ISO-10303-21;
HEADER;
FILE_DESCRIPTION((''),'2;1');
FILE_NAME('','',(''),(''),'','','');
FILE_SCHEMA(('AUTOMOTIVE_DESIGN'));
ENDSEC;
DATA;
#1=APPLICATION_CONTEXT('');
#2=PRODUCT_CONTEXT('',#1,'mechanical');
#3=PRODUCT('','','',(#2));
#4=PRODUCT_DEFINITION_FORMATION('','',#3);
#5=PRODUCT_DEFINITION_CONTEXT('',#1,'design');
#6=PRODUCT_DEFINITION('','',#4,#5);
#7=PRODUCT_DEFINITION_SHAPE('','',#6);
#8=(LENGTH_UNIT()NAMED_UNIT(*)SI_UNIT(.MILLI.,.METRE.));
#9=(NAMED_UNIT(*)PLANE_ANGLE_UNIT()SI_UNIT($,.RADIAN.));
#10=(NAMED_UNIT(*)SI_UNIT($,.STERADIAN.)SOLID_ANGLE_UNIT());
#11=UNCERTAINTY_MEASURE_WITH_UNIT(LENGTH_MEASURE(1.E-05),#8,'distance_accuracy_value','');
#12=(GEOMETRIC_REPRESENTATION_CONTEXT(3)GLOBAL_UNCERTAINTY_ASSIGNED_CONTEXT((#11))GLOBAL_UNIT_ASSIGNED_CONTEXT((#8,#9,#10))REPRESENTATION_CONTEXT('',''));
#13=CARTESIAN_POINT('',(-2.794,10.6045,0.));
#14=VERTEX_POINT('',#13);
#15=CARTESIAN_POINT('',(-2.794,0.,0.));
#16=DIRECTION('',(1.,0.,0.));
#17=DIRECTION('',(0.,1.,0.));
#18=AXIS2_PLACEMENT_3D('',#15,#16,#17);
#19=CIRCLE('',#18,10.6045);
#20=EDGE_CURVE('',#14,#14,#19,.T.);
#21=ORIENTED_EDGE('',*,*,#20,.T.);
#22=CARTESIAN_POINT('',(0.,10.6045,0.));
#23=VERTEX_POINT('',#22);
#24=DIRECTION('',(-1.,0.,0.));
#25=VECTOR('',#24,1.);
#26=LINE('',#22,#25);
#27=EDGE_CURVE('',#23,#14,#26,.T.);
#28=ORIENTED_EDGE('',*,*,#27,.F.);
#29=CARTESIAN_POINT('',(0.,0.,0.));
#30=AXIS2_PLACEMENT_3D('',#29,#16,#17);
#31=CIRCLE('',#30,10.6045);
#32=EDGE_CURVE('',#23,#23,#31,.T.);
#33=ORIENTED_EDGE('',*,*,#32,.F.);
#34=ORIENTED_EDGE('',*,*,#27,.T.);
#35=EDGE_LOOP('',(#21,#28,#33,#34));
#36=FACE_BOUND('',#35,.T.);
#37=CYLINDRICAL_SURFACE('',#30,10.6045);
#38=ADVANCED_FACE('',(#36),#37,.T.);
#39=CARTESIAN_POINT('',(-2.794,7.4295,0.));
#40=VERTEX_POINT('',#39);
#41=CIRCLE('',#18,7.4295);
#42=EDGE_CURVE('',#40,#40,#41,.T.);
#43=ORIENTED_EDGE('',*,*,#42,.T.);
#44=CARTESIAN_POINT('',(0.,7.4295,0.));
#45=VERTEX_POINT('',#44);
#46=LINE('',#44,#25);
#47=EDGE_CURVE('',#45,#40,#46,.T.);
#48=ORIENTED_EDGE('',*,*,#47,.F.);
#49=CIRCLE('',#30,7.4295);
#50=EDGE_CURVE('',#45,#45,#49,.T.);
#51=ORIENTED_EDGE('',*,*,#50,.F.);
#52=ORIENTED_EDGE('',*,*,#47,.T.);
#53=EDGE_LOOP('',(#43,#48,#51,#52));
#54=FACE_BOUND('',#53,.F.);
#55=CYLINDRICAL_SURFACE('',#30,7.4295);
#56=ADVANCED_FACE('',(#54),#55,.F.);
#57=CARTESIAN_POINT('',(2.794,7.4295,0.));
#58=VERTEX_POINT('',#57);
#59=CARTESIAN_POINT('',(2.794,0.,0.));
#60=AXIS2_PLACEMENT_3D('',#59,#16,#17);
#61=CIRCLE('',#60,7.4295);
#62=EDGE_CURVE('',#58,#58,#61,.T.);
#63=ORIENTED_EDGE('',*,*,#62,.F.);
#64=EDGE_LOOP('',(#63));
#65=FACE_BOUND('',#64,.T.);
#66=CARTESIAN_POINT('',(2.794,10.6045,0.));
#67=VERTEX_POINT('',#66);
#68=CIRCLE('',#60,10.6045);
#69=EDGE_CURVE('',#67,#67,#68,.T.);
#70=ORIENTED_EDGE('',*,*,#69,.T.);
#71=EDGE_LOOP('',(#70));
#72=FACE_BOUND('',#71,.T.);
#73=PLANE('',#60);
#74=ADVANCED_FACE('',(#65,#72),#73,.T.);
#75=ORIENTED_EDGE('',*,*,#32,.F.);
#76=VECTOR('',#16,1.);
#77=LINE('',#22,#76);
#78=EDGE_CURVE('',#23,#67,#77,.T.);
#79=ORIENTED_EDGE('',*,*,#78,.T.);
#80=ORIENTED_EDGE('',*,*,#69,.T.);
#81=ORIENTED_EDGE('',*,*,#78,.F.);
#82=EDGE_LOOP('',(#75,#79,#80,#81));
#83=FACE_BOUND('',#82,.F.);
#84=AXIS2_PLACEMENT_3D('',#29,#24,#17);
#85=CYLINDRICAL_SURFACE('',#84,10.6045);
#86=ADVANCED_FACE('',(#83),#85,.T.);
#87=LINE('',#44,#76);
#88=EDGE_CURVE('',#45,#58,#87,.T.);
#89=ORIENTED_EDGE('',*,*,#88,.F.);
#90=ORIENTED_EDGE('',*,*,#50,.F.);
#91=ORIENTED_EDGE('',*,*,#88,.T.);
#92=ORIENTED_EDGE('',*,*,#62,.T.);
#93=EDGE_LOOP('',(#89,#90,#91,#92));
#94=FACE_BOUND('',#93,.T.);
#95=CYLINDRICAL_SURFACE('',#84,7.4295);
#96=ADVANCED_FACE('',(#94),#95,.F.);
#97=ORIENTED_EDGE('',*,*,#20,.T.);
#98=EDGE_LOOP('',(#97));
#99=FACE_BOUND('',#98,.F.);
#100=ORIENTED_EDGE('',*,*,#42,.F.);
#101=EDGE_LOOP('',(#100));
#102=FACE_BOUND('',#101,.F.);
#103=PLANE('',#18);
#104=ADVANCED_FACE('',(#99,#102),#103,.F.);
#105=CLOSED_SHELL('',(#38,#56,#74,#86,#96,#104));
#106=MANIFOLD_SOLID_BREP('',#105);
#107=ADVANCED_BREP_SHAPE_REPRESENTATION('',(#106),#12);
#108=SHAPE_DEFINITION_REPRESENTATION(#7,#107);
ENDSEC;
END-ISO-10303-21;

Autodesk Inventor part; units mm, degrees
ref_plane "YZ Plane" through (0, 0, 0) normal (1, 0, 0) x (0, 1, 0)
ref_plane "XZ Plane" through (0, 0, 0) normal (0, 1, 0) x (-1, 0, 0)
ref_plane "XY Plane" through (0, 0, 0) normal (0, 0, 1) x (1, 0, 0)
sketch "Sketch1" plane through (0, 0, 0) normal (1, 0, 0) x (0, 1, 0)
  circle A0 centre (0, 0) radius 7.4295
  circle A1 centre (0, 0) radius 10.6045
  dimension "d0" = 14.859
  dimension "d1" = 3.175
extrude "Extrusion1" add sketch "Sketch1" along normal mid plane 5.588
properties part number "EL2-CGB-017" material "ABS Plastic"
